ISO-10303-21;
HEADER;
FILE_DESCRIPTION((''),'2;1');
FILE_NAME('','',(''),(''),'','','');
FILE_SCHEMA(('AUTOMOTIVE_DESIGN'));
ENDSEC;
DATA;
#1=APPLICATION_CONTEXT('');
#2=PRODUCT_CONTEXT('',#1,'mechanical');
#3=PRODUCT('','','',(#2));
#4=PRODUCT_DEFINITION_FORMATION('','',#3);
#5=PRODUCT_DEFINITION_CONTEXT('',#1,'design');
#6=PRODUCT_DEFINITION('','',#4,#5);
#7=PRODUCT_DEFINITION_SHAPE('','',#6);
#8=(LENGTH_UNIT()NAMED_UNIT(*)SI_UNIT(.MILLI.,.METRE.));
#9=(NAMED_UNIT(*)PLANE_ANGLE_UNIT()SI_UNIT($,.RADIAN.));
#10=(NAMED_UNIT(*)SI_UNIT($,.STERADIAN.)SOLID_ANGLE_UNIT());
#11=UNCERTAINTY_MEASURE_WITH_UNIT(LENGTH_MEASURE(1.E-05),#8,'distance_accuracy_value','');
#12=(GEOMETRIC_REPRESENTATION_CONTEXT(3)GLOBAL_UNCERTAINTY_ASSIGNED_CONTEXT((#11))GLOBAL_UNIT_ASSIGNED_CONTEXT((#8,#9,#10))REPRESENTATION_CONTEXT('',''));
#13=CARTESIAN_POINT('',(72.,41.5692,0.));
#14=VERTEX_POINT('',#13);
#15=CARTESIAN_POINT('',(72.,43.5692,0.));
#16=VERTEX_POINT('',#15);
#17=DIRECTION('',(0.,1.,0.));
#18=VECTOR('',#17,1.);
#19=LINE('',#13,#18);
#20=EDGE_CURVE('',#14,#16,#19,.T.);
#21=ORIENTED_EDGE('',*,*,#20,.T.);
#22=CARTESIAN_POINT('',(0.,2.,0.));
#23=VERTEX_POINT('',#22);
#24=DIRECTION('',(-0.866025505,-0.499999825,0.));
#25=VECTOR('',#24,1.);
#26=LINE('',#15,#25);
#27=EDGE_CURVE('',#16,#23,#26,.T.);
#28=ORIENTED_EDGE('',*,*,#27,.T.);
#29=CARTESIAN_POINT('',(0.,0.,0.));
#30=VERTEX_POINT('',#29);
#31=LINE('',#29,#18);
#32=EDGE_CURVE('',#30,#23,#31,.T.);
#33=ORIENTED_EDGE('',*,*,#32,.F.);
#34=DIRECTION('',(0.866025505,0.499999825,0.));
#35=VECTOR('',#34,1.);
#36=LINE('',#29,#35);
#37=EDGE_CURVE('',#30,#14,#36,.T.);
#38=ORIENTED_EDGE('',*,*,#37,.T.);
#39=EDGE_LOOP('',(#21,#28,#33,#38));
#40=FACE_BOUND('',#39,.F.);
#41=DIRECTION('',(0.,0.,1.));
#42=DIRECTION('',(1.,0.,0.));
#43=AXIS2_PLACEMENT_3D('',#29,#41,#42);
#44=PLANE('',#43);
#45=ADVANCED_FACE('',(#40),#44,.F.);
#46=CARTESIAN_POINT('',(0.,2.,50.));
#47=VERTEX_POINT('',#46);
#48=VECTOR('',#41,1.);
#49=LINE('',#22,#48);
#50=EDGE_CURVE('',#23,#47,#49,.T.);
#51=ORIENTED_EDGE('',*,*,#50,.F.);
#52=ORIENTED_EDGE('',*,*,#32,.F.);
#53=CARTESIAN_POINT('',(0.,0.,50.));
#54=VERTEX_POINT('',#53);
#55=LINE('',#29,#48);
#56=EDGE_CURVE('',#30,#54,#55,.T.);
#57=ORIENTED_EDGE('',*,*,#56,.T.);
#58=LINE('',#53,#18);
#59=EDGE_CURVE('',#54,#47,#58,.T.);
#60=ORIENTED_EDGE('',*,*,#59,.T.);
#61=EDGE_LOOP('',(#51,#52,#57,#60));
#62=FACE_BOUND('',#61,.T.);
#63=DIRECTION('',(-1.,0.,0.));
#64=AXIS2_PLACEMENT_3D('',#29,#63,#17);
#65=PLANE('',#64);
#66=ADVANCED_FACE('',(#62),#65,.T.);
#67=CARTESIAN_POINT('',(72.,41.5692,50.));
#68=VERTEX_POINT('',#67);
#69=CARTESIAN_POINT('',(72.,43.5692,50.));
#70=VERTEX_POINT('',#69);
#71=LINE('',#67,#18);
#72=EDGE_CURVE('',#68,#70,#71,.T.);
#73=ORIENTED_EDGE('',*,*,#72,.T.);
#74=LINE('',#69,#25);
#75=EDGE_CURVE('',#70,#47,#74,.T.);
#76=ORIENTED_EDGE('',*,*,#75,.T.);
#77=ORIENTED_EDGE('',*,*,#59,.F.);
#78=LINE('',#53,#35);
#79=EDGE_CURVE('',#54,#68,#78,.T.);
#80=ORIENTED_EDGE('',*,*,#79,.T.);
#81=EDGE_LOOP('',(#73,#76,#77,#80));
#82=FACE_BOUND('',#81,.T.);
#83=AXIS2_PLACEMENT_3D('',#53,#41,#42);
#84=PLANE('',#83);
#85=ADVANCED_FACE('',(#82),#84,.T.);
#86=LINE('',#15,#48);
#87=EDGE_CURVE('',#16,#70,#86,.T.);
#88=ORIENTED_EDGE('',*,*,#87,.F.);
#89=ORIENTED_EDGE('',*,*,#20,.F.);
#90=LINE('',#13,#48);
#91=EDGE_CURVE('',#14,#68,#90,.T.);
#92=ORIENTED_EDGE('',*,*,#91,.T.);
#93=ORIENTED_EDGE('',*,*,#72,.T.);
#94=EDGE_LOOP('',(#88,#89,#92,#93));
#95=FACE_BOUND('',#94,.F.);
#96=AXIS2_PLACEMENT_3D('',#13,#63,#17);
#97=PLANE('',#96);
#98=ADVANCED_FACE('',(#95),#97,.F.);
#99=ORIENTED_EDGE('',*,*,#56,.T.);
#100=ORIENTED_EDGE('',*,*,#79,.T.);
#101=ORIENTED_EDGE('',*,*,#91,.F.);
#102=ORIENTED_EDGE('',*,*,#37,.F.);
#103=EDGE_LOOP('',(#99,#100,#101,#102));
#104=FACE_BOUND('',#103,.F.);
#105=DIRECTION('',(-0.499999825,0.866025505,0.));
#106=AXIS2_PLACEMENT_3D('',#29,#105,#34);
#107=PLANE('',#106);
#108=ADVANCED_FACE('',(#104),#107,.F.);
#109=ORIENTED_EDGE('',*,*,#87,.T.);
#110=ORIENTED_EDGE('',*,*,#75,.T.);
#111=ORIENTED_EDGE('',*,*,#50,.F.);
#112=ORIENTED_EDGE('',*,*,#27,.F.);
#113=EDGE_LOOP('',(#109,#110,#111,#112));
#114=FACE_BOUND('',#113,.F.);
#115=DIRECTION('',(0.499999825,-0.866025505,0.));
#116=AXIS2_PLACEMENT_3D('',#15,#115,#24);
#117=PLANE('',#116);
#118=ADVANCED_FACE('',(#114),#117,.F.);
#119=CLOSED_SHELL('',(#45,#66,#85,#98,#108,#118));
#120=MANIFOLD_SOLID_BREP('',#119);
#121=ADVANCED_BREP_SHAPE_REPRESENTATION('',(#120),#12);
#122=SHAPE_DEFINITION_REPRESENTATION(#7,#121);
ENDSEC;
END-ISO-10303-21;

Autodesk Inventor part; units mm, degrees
ref_plane "YZ Plane" through (0, 0, 0) normal (1, 0, 0) x (0, 1, 0)
ref_plane "XZ Plane" through (0, 0, 0) normal (0, 1, 0) x (-1, 0, 0)
ref_plane "XY Plane" through (0, 0, 0) normal (0, 0, 1) x (1, 0, 0)
sketch "Sketch1" plane through (0, 0, 0) normal (0, 0, 1) x (1, 0, 0)
  line L0 (0, 0) -> (0, 2)
  line L1 (0, 0) -> (72, 41.5692)
  line L2 (0, 0) -> (83.1384, 0) construction
  line L3 (72, 41.5692) -> (72, 43.5692)
  line L4 (72, 43.5692) -> (0, 2)
  dimension "d0" = 2
  dimension "d1" = 83.1384
  dimension "d2" = 30
  dimension "d3" = 2
extrude "Extrusion1" add sketch "Sketch1" along normal blind 50
properties part number "Zonnecel"
